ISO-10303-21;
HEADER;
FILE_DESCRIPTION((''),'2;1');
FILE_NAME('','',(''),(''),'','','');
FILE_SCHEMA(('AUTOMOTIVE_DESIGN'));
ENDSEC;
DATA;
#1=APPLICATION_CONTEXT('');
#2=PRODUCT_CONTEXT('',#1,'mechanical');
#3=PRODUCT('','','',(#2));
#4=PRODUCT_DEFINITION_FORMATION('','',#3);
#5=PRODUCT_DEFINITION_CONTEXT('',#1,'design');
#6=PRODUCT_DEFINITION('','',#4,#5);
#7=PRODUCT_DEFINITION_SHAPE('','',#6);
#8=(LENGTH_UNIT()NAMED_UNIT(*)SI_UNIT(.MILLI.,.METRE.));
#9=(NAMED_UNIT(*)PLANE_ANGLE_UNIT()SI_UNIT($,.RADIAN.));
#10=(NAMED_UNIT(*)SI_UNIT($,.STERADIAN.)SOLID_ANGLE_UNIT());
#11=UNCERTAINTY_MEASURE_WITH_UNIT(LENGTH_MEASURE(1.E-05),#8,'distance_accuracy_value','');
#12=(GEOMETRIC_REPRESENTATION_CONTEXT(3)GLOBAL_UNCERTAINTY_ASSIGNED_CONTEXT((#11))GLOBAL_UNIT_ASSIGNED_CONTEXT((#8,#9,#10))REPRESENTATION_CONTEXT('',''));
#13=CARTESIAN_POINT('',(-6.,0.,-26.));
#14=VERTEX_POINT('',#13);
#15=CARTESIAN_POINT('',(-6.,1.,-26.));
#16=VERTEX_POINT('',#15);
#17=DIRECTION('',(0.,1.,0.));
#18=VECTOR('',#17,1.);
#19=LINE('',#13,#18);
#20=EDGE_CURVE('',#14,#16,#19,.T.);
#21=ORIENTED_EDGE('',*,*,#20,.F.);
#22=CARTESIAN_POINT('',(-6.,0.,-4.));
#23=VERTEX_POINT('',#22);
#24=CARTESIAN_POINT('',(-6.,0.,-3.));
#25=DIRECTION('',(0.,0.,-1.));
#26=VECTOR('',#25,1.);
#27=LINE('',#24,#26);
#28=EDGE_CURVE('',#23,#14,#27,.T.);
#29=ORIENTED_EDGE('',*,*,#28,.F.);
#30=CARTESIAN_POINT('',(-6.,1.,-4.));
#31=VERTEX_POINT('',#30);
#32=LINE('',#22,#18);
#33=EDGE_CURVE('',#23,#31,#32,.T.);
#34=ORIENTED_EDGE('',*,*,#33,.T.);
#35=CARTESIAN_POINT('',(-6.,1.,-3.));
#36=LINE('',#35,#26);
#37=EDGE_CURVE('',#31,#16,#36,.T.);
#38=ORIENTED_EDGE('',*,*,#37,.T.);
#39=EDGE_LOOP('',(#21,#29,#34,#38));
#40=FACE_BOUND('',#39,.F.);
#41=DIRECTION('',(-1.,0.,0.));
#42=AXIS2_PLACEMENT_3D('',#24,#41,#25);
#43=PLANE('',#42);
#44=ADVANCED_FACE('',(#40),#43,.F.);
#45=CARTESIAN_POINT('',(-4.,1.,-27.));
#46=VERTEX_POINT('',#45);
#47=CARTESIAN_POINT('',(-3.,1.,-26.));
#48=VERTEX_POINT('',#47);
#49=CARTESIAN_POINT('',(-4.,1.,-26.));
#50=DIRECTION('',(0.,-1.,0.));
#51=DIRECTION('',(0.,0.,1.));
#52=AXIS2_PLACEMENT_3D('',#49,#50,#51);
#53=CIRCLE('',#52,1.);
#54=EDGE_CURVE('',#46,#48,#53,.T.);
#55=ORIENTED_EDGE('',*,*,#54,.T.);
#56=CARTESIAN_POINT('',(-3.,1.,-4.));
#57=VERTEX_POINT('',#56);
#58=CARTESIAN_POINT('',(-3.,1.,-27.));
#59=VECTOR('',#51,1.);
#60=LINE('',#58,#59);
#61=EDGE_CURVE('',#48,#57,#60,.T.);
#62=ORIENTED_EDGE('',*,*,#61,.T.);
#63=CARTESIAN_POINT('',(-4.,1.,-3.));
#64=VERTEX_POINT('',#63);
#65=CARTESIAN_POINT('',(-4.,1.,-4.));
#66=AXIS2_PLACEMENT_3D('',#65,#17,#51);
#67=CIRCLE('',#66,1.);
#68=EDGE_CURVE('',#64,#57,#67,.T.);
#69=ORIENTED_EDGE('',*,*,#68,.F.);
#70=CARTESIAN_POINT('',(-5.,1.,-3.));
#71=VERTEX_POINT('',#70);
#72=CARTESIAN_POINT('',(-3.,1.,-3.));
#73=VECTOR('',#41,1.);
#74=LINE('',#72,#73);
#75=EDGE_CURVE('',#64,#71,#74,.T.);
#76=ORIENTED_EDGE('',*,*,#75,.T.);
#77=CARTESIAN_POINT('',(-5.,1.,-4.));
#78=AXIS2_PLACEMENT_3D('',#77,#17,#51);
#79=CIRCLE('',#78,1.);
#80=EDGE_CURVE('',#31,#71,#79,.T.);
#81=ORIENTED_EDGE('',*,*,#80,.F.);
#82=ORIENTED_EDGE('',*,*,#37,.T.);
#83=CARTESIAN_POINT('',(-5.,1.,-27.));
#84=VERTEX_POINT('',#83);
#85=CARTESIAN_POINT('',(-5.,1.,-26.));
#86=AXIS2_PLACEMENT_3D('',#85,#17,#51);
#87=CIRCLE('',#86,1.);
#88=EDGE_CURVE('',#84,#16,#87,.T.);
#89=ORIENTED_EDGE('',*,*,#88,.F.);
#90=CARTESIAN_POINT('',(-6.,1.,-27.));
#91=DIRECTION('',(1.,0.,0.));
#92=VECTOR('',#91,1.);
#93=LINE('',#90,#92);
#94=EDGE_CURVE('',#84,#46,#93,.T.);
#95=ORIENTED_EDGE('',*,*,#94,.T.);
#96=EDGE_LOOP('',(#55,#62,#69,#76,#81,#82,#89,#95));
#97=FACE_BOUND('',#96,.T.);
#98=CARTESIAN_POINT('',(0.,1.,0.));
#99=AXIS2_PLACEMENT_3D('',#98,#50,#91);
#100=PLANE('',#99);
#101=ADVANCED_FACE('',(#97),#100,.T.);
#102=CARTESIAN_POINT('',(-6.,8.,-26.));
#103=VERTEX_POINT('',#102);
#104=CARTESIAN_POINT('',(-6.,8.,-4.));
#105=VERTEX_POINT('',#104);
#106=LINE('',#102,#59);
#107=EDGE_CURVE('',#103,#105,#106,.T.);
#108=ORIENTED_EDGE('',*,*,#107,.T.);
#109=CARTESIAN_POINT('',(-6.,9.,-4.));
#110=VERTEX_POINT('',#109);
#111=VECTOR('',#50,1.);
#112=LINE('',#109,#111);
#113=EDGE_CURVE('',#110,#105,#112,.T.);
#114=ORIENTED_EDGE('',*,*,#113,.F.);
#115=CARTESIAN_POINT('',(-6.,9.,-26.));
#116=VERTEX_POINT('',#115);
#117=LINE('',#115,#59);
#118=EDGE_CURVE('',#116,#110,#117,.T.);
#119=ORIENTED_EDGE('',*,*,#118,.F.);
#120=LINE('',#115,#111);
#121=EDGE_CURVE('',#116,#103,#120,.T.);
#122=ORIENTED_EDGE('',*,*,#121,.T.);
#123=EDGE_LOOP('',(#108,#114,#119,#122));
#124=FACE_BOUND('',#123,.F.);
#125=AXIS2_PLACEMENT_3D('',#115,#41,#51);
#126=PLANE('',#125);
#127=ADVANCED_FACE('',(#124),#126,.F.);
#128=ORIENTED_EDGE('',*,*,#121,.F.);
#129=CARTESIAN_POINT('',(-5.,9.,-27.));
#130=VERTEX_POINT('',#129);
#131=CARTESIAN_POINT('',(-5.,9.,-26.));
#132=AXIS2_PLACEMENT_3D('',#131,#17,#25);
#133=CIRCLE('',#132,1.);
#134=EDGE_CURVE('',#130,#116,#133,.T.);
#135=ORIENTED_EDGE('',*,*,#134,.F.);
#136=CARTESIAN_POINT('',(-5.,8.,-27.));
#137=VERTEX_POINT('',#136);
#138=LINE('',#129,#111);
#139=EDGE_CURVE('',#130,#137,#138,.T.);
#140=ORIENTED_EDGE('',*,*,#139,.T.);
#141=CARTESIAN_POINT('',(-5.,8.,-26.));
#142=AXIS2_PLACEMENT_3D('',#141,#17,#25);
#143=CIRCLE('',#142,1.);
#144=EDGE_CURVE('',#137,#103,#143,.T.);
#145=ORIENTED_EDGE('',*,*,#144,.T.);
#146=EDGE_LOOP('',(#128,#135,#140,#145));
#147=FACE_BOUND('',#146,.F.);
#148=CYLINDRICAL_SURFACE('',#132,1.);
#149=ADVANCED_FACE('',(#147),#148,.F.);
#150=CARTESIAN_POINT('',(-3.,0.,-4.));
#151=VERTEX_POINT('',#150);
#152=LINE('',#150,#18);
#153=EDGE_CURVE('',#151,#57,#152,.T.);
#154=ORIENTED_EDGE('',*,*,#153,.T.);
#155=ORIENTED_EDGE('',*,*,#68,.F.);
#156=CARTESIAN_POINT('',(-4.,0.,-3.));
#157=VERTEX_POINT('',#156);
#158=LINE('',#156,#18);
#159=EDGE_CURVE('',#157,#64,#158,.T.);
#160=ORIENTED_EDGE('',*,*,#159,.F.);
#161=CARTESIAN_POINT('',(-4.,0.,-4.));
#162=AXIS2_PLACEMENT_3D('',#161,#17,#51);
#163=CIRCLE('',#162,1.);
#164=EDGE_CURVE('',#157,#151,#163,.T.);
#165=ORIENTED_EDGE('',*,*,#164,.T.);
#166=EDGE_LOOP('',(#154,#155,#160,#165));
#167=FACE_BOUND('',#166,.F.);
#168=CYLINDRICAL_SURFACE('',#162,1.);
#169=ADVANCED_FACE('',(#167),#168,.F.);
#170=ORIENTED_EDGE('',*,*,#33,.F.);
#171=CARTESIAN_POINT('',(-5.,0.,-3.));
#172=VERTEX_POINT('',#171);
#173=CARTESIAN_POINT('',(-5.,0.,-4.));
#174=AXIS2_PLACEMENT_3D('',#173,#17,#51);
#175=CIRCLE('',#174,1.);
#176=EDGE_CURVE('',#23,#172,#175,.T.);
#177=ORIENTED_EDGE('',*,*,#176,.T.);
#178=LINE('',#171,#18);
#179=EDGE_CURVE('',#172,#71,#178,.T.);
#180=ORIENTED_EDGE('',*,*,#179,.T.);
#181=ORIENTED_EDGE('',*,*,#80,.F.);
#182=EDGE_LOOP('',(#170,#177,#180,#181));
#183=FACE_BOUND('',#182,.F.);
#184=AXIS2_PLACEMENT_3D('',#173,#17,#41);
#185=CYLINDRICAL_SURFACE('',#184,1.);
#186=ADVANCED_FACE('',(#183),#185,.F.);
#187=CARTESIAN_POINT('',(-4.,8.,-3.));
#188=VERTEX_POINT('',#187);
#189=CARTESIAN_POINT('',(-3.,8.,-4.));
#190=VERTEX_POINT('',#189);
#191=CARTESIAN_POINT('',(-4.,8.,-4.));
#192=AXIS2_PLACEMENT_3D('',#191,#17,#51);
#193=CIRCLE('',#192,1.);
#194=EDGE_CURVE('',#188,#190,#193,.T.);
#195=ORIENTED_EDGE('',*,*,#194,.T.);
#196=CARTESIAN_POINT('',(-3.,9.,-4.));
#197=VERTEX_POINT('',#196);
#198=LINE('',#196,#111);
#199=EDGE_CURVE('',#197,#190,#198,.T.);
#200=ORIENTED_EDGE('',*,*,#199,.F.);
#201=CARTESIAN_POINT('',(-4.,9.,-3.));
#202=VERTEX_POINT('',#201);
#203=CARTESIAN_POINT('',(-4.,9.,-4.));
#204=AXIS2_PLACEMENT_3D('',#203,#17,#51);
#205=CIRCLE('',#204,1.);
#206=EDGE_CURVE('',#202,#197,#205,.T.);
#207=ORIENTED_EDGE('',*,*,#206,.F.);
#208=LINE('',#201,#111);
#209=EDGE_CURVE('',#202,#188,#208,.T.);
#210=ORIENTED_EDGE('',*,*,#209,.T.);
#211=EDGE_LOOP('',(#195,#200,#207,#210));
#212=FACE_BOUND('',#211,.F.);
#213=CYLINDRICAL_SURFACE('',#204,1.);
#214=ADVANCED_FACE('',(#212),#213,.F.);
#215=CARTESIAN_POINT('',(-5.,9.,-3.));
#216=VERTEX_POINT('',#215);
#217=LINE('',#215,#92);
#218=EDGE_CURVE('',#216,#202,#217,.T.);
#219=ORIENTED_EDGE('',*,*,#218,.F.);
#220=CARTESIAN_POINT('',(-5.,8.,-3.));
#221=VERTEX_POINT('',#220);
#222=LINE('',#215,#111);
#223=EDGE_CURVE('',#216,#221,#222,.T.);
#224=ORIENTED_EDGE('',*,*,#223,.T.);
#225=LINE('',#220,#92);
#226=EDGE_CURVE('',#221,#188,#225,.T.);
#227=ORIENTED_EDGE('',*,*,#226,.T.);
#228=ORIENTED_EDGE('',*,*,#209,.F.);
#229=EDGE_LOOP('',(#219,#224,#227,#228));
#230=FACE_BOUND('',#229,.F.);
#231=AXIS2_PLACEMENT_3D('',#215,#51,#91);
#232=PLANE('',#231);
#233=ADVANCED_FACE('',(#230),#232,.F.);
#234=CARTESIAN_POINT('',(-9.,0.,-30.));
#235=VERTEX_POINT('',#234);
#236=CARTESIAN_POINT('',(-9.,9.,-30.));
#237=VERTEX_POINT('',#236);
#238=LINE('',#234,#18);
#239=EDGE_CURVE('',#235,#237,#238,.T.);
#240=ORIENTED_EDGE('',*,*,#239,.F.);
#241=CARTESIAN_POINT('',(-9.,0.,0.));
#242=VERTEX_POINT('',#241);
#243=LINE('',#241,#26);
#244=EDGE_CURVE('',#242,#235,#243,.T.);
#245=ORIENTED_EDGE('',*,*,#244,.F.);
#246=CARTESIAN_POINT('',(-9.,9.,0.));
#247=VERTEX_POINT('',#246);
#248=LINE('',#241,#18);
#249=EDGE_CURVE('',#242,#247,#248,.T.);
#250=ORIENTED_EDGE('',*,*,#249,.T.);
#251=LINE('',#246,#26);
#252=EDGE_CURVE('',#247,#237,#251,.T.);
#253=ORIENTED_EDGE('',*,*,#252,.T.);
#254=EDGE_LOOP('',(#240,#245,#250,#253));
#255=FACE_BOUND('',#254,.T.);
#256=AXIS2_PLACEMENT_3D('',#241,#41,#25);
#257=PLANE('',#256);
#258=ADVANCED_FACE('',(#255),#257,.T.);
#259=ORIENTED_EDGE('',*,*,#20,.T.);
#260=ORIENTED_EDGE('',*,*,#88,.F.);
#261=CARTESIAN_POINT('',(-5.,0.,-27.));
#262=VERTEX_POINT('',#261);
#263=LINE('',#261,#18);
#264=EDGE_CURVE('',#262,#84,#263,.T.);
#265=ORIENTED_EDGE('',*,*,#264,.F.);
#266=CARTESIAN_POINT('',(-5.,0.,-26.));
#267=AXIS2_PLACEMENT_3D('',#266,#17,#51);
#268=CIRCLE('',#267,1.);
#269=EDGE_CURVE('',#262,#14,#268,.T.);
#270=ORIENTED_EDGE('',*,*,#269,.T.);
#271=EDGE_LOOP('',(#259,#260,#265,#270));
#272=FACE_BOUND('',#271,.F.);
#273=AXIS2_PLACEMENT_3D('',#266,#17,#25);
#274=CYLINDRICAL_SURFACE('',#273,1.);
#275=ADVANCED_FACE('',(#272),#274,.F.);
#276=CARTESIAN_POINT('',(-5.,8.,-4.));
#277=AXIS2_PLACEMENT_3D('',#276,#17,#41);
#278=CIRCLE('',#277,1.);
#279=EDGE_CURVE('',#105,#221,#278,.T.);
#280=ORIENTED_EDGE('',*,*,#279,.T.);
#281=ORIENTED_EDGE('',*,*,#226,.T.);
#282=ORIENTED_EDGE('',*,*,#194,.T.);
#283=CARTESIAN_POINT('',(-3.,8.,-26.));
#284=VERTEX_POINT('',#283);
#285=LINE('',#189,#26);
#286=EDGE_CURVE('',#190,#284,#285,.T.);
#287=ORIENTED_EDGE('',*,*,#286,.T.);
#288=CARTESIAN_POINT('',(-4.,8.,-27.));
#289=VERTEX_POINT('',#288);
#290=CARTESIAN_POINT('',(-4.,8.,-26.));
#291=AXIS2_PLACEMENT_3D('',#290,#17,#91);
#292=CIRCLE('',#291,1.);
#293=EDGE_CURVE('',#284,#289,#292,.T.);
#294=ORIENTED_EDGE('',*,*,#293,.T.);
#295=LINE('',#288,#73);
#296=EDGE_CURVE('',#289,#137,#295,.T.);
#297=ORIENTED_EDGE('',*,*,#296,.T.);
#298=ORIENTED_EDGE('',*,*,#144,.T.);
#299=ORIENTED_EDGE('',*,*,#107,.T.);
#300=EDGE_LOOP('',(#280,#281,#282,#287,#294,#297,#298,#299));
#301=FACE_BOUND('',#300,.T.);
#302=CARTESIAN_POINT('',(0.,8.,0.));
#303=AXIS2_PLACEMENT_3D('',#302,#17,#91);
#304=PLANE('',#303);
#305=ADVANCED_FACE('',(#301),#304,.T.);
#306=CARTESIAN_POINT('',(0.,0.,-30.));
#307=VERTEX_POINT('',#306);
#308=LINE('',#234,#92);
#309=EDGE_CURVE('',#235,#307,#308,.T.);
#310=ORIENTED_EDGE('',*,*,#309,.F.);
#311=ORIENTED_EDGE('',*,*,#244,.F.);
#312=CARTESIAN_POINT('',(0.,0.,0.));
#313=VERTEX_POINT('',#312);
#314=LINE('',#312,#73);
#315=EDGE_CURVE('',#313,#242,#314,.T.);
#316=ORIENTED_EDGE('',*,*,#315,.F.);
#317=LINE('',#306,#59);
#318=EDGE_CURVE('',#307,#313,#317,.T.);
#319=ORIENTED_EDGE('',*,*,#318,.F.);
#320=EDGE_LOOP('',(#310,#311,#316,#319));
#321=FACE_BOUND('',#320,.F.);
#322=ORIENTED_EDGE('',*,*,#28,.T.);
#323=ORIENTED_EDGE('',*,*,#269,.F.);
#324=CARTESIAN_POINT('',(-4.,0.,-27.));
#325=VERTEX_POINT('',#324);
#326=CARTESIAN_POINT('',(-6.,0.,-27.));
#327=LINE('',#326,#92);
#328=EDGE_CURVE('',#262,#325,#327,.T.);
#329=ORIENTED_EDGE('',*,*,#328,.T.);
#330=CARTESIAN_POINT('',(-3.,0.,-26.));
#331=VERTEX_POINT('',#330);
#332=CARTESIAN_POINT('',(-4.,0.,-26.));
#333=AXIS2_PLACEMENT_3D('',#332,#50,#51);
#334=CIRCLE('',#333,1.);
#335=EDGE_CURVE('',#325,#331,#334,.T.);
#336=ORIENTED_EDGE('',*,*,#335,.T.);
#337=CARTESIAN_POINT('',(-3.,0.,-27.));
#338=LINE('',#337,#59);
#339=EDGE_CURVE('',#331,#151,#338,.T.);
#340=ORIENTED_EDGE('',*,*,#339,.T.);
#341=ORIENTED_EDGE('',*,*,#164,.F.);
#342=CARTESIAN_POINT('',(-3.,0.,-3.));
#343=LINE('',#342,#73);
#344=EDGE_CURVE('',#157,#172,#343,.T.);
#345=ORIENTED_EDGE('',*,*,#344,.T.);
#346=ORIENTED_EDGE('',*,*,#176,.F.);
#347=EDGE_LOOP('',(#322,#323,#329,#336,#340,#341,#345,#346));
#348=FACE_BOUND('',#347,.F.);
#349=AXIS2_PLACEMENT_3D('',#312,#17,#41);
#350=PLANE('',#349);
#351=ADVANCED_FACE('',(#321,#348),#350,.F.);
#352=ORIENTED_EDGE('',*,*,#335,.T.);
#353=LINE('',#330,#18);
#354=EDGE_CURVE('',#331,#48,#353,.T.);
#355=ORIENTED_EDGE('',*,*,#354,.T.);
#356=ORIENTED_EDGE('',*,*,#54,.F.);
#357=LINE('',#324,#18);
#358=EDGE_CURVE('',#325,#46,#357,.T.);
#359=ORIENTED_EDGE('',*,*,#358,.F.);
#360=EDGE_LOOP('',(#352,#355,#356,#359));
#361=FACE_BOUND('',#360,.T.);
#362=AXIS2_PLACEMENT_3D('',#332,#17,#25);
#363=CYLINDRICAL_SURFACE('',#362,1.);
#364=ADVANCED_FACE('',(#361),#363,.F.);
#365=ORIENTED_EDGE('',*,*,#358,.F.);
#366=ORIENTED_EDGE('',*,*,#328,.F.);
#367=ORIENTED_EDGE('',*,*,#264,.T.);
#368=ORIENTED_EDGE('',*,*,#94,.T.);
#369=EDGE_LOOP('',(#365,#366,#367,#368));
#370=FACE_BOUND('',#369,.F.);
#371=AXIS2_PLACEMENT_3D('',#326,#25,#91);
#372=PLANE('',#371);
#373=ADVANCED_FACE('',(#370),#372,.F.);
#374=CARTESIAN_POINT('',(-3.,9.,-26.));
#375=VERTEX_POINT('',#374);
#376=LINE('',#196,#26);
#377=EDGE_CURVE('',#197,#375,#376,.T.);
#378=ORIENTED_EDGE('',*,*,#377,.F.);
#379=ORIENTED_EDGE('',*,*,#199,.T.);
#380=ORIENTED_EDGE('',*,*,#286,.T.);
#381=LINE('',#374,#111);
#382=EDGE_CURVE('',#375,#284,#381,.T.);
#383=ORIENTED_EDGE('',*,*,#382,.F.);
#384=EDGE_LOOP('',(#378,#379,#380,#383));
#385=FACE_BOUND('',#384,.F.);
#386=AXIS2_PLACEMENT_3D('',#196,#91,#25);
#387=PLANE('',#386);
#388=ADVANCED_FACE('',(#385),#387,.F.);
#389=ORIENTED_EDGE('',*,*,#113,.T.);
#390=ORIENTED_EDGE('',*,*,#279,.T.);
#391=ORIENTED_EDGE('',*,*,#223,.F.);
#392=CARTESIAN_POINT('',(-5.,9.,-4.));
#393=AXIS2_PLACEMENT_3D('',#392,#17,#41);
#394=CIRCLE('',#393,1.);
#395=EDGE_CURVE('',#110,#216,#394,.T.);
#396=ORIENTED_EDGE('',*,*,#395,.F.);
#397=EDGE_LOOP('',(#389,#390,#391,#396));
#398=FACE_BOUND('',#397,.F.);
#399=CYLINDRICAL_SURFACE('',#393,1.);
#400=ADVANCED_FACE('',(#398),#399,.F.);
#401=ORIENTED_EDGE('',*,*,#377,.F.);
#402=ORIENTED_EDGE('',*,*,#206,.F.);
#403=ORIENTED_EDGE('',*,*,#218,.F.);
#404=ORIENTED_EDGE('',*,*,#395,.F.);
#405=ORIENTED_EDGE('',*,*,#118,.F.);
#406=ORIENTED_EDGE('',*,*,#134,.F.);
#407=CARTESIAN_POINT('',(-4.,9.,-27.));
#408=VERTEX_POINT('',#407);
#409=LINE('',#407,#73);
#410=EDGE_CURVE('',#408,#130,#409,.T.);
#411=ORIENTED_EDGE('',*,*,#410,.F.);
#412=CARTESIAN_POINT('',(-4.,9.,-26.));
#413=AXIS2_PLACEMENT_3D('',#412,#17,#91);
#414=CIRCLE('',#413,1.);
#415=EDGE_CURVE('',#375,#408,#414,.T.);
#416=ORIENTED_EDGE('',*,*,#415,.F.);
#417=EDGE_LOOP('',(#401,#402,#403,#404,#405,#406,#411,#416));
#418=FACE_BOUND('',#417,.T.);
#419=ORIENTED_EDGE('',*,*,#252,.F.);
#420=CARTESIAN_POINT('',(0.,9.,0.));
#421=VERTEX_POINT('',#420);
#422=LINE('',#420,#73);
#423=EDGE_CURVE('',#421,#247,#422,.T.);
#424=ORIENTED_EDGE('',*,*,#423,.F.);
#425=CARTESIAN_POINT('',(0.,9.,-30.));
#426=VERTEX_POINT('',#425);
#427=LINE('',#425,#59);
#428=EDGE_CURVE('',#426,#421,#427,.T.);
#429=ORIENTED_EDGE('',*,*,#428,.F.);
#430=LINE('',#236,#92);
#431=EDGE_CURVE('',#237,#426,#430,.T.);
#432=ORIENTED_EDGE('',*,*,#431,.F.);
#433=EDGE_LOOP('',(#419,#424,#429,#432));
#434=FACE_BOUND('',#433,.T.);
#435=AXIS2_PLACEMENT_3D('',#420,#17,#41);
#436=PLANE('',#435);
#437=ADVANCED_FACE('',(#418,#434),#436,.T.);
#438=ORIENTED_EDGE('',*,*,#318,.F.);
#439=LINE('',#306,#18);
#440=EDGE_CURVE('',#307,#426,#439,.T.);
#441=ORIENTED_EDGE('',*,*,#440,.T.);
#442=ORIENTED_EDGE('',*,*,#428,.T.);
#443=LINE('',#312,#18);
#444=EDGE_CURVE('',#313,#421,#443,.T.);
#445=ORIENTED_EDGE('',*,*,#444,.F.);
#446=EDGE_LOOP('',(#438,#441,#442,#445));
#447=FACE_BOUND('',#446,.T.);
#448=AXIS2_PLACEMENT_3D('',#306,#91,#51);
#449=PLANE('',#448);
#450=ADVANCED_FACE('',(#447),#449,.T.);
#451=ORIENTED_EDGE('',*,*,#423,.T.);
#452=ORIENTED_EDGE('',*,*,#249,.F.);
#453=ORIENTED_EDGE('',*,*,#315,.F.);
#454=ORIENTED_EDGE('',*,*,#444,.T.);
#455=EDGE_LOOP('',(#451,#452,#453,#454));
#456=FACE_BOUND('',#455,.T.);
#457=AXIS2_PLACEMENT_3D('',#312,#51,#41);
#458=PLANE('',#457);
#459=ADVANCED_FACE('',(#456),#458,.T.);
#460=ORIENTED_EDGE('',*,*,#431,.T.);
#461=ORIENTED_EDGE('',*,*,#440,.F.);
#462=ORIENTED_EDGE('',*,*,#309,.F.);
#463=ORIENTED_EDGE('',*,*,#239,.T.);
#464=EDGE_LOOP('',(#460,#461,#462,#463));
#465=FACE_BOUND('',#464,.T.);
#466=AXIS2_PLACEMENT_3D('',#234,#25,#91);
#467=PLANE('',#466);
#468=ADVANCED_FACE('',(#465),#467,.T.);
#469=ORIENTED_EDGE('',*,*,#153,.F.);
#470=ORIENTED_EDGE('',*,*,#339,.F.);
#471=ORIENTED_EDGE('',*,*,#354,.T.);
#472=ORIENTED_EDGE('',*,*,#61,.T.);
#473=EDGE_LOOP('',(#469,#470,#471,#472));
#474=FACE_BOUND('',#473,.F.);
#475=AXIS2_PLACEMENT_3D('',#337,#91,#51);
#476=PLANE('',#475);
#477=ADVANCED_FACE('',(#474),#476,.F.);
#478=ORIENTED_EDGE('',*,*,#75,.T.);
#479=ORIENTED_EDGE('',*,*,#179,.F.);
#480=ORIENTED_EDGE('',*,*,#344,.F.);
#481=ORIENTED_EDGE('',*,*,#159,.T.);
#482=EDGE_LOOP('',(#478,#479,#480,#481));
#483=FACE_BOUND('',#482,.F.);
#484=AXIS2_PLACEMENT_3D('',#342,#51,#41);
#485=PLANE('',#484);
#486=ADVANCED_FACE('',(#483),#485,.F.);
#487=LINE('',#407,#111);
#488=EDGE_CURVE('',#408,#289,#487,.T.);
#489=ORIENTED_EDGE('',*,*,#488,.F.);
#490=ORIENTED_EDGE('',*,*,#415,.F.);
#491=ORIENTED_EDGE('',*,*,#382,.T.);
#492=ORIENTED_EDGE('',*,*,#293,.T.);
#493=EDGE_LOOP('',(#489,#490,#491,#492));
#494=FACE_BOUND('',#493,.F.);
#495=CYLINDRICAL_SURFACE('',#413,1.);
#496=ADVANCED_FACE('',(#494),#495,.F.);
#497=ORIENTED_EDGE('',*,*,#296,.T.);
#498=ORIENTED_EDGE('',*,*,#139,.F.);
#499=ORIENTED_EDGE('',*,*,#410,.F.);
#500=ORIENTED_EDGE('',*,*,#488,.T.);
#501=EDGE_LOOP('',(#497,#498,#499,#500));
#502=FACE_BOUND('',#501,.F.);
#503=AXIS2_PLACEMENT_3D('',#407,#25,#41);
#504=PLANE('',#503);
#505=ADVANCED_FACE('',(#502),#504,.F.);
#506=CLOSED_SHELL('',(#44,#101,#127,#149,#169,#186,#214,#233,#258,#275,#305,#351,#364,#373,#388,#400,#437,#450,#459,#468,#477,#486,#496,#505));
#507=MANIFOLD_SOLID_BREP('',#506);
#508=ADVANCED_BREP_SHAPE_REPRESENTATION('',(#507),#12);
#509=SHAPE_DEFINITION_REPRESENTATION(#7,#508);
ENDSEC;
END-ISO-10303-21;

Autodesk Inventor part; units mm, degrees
ref_plane "YZ Plane" through (0, 0, 0) normal (1, 0, 0) x (0, 1, 0)
ref_plane "XZ Plane" through (0, 0, 0) normal (0, 1, 0) x (-1, 0, 0)
ref_plane "XY Plane" through (0, 0, 0) normal (0, 0, 1) x (1, 0, 0)
sketch "Sketch1" plane through (0, 0, 0) normal (0, 1, 0) x (-1, 0, 0)
  line L0 (0, 0) -> (9, 0)
  line L1 (9, 0) -> (9, -30)
  line L2 (9, -30) -> (0, -30)
  line L3 (0, -30) -> (0, 0)
  dimension "d0" = 9
  dimension "d1" = 30
extrude "Extrusion1" add sketch "Sketch1" along normal blind 9
sketch "Sketch2" plane through (0, 0, 0) normal (0, -1, 0) x (1, 0, 0)
  line L0 (-3, -3) -> (-6, -3)
  line L1 (-6, -3) -> (-6, -27)
  line L2 (-6, -27) -> (-3, -27)
  line L3 (-3, -27) -> (-3, -3)
  line L4 (0, 0) -> (0, -30) projected
  line L5 (-9, -30) -> (-9, 0) projected
  line L6 (-9, 0) -> (0, 0) projected
  line L7 (0, -30) -> (-9, -30) projected
  point P0 (-4.5, 0)
  point P1 (-4.5, -30)
  dimension "d4" = 3
  dimension "d5" = 3
  dimension "d6" = 3
  dimension "d7" = 3
extrude "Extrusion2" cut sketch "Sketch2" against normal blind 1 contours L3 L2 L1 L0
fillet "Fillet1" radius 1 4 edges at (-6, 0.5, -27) (-3, 0.5, -27) (-6, 0.5, -3) (-3, 0.5, -3)
sketch "Sketch3" plane through (0, 9, 0) normal (0, 1, 0) x (1, 0, 0)
  line L0 (-5, 3) -> (-4, 3)
  line L1 (-3, 4) -> (-3, 26)
  line L2 (-4, 27) -> (-5, 27)
  line L3 (-6, 26) -> (-6, 4)
  arc A0 (-6, 4) -> (-5, 3) centre (-5, 4) ccw
  arc A1 (-5, 27) -> (-6, 26) centre (-5, 26) ccw
  arc A2 (-3, 26) -> (-4, 27) centre (-4, 26) ccw
  arc A3 (-4, 3) -> (-3, 4) centre (-4, 4) ccw
  line L4 (0, 0) -> (0, 30) projected
  line L5 (-9, 30) -> (-9, 0) projected
  line L6 (-9, 0) -> (0, 0) projected
  line L7 (0, 30) -> (-9, 30) projected
  point P0 (-4.5, 0)
  point P1 (-4.5, 3)
  point P2 (-4.5, 30)
  point P3 (-4.5, 27)
  dimension "d11" = 1
  dimension "d12" = 1
  dimension "d13" = 3
  dimension "d14" = 3
  dimension "d15" = 3
  dimension "d16" = 3
extrude "Extrusion3" cut sketch "Sketch3" against normal blind 1 contours A0 L3 A1 L2 A2 L1 A3 L0
properties part number "oled_support"
